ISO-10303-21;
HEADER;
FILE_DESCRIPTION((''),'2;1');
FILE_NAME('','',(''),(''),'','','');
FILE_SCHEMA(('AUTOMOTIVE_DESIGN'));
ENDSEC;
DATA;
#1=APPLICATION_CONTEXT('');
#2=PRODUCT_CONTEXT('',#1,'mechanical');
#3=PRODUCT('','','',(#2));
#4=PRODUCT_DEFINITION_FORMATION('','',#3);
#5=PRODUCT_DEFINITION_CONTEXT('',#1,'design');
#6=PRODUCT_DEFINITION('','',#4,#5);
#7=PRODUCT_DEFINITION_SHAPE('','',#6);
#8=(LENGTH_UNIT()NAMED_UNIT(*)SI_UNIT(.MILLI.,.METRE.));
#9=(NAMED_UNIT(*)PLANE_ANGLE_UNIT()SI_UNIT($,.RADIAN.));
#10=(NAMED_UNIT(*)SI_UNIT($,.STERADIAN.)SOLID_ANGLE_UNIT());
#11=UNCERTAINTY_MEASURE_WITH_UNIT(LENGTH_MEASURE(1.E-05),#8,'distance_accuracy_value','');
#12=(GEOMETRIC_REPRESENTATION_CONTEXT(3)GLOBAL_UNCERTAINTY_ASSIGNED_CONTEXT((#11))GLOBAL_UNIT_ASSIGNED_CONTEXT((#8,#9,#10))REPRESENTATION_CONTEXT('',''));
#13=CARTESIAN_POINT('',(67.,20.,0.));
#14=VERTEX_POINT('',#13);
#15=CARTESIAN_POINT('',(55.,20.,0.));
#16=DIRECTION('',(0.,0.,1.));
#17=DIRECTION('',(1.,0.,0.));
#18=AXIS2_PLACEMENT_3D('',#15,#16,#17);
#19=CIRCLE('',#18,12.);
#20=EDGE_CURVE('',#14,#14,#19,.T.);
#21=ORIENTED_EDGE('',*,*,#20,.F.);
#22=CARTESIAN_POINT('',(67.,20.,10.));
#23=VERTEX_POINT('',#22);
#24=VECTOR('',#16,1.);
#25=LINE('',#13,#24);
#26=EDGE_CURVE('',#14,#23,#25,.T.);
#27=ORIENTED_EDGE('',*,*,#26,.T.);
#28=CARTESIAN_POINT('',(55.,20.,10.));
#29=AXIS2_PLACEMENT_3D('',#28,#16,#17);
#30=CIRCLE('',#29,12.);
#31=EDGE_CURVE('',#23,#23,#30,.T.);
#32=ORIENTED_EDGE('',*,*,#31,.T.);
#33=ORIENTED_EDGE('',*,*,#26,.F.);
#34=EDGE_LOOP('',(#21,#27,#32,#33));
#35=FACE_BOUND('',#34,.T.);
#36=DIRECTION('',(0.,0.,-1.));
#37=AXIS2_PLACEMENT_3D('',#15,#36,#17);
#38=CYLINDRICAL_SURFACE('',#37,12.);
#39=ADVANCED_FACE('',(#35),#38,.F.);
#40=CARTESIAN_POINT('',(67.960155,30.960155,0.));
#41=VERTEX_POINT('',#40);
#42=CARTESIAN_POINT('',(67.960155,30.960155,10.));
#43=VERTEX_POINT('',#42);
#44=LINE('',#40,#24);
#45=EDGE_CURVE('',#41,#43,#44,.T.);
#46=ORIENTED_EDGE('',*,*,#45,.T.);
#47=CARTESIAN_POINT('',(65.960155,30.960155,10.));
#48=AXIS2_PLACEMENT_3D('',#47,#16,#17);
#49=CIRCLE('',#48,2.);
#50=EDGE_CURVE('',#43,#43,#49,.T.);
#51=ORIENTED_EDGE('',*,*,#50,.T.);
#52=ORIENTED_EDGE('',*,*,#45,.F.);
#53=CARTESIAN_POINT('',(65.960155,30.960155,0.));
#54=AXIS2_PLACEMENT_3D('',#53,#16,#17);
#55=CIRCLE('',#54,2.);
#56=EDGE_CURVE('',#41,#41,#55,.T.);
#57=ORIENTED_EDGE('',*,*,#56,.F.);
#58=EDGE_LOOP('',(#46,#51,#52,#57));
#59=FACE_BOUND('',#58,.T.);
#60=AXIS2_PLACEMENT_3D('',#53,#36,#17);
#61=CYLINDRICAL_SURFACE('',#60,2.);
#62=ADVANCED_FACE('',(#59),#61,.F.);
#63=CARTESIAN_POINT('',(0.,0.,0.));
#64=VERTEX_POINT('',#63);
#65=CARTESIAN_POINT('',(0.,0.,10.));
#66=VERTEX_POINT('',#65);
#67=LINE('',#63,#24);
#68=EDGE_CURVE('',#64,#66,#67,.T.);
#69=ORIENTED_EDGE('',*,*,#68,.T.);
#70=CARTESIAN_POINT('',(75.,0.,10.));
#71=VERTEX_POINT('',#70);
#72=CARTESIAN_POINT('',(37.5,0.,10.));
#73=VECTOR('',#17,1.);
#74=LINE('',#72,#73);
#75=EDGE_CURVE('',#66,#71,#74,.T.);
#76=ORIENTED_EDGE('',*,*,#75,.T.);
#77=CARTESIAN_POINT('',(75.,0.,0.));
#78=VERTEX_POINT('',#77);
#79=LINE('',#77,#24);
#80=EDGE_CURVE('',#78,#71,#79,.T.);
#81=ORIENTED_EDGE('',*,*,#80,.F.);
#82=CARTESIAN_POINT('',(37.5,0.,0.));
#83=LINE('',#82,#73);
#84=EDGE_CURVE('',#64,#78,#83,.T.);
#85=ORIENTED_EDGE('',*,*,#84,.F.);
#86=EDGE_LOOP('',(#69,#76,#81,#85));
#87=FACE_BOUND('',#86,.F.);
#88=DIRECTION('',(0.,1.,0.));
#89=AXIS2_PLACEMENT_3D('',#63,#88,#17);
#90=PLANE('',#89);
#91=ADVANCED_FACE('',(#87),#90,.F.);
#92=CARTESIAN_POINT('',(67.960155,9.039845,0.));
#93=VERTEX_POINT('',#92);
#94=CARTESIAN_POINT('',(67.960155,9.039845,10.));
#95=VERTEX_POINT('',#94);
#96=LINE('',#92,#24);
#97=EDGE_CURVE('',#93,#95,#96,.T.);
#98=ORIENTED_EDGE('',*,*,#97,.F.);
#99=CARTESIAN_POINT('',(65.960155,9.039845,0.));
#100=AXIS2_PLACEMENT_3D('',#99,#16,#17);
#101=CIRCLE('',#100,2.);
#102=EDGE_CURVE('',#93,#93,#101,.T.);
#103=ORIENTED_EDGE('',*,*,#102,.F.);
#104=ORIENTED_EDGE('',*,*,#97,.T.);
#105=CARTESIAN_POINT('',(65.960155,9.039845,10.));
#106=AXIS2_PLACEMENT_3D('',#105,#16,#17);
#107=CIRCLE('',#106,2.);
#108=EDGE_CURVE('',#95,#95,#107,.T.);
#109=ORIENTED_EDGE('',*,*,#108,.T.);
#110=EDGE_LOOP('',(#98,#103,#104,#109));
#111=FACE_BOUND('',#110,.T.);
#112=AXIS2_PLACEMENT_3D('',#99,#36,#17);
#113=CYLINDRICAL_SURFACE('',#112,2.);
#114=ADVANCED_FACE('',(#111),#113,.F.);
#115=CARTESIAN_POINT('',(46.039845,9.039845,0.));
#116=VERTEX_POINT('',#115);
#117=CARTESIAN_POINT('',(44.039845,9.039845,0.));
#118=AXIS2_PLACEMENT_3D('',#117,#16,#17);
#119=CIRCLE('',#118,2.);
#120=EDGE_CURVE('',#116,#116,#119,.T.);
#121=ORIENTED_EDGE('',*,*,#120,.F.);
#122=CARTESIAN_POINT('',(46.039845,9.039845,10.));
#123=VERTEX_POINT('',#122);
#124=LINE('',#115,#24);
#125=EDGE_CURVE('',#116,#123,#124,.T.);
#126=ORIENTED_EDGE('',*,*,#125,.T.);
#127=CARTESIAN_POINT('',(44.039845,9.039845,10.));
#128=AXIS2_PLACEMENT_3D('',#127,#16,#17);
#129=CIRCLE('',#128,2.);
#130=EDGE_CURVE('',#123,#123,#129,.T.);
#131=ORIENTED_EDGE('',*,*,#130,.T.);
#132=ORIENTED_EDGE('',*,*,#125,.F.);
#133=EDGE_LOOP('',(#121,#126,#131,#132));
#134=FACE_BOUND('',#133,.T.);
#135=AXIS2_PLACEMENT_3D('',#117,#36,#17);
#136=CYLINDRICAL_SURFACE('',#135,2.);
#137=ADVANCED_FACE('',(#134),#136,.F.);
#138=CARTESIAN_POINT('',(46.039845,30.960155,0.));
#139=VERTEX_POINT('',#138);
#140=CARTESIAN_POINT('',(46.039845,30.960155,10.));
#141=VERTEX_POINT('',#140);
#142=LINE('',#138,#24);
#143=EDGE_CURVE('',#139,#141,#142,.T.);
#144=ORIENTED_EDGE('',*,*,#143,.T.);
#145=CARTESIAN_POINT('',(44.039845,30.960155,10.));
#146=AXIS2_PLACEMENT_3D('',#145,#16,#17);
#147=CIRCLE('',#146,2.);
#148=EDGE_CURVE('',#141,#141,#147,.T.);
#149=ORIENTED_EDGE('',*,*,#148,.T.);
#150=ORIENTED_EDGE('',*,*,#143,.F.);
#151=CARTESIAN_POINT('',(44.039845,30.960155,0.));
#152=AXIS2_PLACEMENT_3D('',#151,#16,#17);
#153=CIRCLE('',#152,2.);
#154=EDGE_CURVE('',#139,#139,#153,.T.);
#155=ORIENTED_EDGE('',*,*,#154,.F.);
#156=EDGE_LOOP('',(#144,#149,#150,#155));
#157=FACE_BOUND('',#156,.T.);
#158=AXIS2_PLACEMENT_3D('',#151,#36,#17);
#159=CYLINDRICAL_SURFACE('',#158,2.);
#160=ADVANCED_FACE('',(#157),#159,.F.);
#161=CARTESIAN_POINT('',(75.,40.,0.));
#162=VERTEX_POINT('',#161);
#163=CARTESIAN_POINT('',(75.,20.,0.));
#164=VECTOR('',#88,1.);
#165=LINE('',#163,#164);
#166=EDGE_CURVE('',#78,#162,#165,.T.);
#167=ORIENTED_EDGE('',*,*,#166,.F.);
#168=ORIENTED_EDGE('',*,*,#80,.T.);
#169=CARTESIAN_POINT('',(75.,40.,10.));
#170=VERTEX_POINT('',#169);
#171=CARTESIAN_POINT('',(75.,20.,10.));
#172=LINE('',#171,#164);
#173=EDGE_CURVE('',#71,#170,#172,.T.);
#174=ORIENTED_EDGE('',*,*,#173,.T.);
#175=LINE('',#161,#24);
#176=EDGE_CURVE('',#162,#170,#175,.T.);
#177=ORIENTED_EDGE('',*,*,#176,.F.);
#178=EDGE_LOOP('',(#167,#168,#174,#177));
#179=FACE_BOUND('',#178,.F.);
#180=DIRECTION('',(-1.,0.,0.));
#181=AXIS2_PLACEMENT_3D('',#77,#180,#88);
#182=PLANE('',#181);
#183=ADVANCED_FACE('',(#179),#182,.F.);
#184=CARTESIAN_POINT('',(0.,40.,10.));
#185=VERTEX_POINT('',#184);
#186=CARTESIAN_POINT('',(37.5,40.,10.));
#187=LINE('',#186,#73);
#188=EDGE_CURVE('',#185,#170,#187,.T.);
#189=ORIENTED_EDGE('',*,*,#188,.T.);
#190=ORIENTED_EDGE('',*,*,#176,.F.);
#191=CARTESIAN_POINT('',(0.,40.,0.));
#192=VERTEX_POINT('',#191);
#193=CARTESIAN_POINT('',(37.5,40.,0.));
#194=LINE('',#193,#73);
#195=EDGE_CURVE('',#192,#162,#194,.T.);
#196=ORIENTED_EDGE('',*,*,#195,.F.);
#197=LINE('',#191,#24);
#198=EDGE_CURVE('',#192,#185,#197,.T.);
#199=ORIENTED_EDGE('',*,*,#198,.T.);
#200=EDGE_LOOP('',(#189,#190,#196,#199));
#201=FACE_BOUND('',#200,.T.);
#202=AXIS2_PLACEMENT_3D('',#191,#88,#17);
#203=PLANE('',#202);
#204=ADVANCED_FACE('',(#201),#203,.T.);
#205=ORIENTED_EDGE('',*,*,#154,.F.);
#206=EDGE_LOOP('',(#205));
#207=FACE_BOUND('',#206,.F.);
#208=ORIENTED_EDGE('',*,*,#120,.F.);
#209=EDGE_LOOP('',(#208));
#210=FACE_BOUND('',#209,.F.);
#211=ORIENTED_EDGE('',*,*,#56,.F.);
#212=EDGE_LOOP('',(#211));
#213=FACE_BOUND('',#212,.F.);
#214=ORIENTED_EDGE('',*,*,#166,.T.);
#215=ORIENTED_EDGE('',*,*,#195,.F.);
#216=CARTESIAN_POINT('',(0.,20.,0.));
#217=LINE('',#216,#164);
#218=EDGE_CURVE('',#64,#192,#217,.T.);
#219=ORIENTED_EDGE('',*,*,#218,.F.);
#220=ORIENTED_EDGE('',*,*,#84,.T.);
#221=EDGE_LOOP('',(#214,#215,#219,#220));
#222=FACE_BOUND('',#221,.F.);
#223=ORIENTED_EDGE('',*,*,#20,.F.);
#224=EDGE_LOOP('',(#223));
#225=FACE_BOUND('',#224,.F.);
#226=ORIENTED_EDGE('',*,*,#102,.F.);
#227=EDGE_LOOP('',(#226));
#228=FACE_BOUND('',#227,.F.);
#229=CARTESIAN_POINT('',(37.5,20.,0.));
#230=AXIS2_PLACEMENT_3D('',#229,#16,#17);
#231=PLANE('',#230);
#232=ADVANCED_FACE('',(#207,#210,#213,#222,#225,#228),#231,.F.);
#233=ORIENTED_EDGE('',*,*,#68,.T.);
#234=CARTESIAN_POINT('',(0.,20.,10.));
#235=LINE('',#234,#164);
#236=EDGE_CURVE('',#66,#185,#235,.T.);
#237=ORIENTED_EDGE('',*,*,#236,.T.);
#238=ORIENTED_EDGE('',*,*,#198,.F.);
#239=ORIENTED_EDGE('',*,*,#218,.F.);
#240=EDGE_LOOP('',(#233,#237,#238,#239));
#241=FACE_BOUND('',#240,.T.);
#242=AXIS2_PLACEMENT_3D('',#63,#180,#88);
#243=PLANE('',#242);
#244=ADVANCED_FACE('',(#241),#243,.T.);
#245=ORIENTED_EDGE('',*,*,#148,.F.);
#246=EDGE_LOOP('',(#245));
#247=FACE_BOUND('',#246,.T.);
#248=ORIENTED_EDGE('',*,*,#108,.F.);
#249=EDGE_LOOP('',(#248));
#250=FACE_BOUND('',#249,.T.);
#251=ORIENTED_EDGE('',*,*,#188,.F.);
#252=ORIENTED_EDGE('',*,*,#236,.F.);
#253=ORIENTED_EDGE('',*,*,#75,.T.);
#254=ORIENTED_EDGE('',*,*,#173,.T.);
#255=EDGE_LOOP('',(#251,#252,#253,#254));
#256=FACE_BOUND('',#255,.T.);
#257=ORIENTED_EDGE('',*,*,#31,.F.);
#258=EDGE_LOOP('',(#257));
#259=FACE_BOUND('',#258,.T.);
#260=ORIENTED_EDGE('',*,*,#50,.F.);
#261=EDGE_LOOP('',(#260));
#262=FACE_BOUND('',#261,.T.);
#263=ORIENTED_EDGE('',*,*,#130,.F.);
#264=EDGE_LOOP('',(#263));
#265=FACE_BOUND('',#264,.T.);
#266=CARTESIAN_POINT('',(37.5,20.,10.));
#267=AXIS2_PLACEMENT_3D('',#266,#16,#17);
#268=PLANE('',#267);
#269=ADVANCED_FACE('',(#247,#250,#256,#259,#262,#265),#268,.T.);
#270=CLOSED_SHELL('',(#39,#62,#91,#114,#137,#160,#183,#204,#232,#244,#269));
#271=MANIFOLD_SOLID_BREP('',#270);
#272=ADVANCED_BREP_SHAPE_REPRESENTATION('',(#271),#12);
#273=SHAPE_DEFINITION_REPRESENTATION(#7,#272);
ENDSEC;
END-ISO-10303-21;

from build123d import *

# Parameters (mm, degrees)
SKETCH_W   = 75
SKETCH_H   = 40
SKETCH_R   = 12
SKETCH_R_2 = 2
PAD_DEPTH  = 10


with BuildPart() as part:
    # Sketch → Pad (new body)
    with BuildSketch(Plane.XY):
        with Locations((37.5, 20)):
            Rectangle(SKETCH_W, SKETCH_H)
        with Locations((55, 20)):
            Circle(SKETCH_R, mode=Mode.SUBTRACT)
        with Locations((65.960155, 30.960155)):
            Circle(SKETCH_R_2, mode=Mode.SUBTRACT)
        with Locations((44.039845, 30.960155)):
            Circle(SKETCH_R_2, mode=Mode.SUBTRACT)
        with Locations((44.039845, 9.039845)):
            Circle(SKETCH_R_2, mode=Mode.SUBTRACT)
        with Locations((65.960155, 9.039845)):
            Circle(SKETCH_R_2, mode=Mode.SUBTRACT)
    extrude(amount=PAD_DEPTH)


solid = part.part
